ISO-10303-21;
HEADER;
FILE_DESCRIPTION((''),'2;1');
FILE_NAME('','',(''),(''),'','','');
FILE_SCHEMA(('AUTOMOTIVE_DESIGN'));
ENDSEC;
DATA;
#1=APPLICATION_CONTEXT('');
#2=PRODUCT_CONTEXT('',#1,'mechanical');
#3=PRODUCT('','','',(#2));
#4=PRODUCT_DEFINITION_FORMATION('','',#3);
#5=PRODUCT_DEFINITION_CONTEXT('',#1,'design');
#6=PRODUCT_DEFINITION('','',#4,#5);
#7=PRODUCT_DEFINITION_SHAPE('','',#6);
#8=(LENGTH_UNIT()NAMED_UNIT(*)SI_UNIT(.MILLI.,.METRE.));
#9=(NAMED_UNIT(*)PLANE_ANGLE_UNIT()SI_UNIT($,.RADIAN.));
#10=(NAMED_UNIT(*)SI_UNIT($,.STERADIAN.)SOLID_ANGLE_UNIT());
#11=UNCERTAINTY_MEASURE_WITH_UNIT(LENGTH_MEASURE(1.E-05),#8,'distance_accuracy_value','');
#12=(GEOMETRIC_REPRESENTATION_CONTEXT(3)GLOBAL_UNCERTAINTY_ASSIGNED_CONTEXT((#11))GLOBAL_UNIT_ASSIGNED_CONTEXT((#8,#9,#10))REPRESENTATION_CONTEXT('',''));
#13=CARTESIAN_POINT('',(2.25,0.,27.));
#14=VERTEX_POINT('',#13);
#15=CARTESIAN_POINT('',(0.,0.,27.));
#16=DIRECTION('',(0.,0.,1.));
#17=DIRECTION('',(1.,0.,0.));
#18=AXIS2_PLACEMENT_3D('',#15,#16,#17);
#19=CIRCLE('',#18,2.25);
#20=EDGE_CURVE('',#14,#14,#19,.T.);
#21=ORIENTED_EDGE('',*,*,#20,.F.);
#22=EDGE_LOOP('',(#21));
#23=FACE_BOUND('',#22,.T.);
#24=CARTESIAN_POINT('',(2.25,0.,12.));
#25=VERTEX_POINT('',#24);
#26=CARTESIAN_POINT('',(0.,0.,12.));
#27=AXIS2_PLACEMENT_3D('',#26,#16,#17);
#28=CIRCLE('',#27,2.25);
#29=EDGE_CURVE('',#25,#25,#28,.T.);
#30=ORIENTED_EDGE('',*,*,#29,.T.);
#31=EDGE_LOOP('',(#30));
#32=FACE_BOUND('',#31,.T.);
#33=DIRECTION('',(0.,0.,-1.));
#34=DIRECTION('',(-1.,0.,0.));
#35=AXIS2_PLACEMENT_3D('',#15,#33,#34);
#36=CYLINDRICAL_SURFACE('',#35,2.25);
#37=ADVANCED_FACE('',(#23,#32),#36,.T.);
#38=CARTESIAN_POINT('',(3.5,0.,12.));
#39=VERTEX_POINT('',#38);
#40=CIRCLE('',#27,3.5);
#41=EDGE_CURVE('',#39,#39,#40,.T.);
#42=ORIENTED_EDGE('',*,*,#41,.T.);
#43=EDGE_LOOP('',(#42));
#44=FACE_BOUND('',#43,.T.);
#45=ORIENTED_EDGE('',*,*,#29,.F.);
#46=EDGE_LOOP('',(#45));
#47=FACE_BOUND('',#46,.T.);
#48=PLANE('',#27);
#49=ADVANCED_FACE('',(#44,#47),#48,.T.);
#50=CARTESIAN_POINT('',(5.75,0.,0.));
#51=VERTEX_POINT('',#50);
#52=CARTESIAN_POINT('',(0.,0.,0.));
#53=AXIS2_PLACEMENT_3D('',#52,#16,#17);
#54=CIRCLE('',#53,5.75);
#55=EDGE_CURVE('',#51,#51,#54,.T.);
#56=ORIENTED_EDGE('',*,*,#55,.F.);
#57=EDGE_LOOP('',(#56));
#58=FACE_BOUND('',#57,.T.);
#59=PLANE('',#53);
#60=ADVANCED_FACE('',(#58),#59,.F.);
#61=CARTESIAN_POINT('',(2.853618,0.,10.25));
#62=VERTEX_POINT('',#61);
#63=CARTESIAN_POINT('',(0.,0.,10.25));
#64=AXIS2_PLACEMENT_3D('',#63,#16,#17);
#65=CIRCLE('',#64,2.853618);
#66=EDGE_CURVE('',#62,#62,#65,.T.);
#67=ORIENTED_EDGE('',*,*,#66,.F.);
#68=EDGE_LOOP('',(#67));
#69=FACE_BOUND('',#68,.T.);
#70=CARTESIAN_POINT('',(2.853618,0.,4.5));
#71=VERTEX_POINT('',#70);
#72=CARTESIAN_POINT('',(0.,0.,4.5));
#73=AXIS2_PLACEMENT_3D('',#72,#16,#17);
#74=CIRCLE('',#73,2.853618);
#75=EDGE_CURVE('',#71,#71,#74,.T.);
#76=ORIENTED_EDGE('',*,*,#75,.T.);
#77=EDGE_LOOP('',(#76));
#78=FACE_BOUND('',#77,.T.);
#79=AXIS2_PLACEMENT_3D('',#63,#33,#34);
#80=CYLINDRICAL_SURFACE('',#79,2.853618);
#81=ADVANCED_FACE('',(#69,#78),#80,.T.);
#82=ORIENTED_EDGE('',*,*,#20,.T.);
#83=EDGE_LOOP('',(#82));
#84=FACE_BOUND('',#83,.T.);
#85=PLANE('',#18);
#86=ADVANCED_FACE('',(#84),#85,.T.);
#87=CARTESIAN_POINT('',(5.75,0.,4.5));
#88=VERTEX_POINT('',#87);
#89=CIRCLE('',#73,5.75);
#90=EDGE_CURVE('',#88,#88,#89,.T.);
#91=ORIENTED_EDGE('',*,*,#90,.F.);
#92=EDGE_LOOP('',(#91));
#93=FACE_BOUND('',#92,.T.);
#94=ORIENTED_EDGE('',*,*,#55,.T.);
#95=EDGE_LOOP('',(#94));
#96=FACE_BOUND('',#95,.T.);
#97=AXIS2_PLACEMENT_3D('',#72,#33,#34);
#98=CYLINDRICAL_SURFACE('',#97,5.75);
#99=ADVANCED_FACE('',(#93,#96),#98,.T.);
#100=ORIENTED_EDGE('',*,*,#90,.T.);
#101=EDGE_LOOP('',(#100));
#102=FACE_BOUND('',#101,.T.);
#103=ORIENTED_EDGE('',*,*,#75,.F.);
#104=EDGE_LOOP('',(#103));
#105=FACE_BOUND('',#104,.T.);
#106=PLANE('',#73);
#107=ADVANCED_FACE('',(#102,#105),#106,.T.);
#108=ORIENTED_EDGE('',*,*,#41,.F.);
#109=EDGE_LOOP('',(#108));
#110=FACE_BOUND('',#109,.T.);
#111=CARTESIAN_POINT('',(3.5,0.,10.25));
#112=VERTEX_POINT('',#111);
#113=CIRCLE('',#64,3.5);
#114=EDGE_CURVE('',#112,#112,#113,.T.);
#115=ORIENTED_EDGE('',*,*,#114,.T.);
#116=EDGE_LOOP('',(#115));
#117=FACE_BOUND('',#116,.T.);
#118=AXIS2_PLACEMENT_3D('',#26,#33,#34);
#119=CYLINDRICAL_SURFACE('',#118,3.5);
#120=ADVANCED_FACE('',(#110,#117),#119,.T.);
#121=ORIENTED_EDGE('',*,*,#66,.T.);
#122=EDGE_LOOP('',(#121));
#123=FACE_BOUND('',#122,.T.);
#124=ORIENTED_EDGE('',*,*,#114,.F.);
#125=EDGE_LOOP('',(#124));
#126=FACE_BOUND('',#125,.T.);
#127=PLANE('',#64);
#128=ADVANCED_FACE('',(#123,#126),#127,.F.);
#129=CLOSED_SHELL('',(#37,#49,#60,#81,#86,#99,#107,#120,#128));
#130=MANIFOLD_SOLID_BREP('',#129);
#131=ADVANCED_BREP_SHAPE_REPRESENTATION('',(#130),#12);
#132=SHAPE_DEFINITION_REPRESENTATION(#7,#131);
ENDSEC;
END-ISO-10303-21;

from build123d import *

# Parameters (mm, degrees)
SKETCH1_R           = 5.75
BOSS_EXTRUDE1_DEPTH = 4.5
SKETCH2_R           = 2.853617745
BOSS_EXTRUDE2_DEPTH = 5.75
SKETCH3_R           = 3.5
BOSS_EXTRUDE3_DEPTH = 1.75
SKETCH4_R           = 2.25
BOSS_EXTRUDE4_DEPTH = 15


with BuildPart() as part:
    # Sketch1 → Boss-Extrude1 (new body)
    with BuildSketch(Plane.XY):
        Circle(SKETCH1_R)
    extrude(amount=BOSS_EXTRUDE1_DEPTH)

    # Sketch2 → Boss-Extrude2 (add)
    with BuildSketch(Plane.XY.offset(4.5)):
        Circle(SKETCH2_R)
    extrude(amount=BOSS_EXTRUDE2_DEPTH)

    # Sketch3 → Boss-Extrude3 (add)
    with BuildSketch(Plane.XY.offset(10.25)):
        Circle(SKETCH3_R)
    extrude(amount=BOSS_EXTRUDE3_DEPTH)

    # Sketch4 → Boss-Extrude4 (add)
    with BuildSketch(Plane.XY.offset(12)):
        Circle(SKETCH4_R)
    extrude(amount=BOSS_EXTRUDE4_DEPTH)


solid = part.part
